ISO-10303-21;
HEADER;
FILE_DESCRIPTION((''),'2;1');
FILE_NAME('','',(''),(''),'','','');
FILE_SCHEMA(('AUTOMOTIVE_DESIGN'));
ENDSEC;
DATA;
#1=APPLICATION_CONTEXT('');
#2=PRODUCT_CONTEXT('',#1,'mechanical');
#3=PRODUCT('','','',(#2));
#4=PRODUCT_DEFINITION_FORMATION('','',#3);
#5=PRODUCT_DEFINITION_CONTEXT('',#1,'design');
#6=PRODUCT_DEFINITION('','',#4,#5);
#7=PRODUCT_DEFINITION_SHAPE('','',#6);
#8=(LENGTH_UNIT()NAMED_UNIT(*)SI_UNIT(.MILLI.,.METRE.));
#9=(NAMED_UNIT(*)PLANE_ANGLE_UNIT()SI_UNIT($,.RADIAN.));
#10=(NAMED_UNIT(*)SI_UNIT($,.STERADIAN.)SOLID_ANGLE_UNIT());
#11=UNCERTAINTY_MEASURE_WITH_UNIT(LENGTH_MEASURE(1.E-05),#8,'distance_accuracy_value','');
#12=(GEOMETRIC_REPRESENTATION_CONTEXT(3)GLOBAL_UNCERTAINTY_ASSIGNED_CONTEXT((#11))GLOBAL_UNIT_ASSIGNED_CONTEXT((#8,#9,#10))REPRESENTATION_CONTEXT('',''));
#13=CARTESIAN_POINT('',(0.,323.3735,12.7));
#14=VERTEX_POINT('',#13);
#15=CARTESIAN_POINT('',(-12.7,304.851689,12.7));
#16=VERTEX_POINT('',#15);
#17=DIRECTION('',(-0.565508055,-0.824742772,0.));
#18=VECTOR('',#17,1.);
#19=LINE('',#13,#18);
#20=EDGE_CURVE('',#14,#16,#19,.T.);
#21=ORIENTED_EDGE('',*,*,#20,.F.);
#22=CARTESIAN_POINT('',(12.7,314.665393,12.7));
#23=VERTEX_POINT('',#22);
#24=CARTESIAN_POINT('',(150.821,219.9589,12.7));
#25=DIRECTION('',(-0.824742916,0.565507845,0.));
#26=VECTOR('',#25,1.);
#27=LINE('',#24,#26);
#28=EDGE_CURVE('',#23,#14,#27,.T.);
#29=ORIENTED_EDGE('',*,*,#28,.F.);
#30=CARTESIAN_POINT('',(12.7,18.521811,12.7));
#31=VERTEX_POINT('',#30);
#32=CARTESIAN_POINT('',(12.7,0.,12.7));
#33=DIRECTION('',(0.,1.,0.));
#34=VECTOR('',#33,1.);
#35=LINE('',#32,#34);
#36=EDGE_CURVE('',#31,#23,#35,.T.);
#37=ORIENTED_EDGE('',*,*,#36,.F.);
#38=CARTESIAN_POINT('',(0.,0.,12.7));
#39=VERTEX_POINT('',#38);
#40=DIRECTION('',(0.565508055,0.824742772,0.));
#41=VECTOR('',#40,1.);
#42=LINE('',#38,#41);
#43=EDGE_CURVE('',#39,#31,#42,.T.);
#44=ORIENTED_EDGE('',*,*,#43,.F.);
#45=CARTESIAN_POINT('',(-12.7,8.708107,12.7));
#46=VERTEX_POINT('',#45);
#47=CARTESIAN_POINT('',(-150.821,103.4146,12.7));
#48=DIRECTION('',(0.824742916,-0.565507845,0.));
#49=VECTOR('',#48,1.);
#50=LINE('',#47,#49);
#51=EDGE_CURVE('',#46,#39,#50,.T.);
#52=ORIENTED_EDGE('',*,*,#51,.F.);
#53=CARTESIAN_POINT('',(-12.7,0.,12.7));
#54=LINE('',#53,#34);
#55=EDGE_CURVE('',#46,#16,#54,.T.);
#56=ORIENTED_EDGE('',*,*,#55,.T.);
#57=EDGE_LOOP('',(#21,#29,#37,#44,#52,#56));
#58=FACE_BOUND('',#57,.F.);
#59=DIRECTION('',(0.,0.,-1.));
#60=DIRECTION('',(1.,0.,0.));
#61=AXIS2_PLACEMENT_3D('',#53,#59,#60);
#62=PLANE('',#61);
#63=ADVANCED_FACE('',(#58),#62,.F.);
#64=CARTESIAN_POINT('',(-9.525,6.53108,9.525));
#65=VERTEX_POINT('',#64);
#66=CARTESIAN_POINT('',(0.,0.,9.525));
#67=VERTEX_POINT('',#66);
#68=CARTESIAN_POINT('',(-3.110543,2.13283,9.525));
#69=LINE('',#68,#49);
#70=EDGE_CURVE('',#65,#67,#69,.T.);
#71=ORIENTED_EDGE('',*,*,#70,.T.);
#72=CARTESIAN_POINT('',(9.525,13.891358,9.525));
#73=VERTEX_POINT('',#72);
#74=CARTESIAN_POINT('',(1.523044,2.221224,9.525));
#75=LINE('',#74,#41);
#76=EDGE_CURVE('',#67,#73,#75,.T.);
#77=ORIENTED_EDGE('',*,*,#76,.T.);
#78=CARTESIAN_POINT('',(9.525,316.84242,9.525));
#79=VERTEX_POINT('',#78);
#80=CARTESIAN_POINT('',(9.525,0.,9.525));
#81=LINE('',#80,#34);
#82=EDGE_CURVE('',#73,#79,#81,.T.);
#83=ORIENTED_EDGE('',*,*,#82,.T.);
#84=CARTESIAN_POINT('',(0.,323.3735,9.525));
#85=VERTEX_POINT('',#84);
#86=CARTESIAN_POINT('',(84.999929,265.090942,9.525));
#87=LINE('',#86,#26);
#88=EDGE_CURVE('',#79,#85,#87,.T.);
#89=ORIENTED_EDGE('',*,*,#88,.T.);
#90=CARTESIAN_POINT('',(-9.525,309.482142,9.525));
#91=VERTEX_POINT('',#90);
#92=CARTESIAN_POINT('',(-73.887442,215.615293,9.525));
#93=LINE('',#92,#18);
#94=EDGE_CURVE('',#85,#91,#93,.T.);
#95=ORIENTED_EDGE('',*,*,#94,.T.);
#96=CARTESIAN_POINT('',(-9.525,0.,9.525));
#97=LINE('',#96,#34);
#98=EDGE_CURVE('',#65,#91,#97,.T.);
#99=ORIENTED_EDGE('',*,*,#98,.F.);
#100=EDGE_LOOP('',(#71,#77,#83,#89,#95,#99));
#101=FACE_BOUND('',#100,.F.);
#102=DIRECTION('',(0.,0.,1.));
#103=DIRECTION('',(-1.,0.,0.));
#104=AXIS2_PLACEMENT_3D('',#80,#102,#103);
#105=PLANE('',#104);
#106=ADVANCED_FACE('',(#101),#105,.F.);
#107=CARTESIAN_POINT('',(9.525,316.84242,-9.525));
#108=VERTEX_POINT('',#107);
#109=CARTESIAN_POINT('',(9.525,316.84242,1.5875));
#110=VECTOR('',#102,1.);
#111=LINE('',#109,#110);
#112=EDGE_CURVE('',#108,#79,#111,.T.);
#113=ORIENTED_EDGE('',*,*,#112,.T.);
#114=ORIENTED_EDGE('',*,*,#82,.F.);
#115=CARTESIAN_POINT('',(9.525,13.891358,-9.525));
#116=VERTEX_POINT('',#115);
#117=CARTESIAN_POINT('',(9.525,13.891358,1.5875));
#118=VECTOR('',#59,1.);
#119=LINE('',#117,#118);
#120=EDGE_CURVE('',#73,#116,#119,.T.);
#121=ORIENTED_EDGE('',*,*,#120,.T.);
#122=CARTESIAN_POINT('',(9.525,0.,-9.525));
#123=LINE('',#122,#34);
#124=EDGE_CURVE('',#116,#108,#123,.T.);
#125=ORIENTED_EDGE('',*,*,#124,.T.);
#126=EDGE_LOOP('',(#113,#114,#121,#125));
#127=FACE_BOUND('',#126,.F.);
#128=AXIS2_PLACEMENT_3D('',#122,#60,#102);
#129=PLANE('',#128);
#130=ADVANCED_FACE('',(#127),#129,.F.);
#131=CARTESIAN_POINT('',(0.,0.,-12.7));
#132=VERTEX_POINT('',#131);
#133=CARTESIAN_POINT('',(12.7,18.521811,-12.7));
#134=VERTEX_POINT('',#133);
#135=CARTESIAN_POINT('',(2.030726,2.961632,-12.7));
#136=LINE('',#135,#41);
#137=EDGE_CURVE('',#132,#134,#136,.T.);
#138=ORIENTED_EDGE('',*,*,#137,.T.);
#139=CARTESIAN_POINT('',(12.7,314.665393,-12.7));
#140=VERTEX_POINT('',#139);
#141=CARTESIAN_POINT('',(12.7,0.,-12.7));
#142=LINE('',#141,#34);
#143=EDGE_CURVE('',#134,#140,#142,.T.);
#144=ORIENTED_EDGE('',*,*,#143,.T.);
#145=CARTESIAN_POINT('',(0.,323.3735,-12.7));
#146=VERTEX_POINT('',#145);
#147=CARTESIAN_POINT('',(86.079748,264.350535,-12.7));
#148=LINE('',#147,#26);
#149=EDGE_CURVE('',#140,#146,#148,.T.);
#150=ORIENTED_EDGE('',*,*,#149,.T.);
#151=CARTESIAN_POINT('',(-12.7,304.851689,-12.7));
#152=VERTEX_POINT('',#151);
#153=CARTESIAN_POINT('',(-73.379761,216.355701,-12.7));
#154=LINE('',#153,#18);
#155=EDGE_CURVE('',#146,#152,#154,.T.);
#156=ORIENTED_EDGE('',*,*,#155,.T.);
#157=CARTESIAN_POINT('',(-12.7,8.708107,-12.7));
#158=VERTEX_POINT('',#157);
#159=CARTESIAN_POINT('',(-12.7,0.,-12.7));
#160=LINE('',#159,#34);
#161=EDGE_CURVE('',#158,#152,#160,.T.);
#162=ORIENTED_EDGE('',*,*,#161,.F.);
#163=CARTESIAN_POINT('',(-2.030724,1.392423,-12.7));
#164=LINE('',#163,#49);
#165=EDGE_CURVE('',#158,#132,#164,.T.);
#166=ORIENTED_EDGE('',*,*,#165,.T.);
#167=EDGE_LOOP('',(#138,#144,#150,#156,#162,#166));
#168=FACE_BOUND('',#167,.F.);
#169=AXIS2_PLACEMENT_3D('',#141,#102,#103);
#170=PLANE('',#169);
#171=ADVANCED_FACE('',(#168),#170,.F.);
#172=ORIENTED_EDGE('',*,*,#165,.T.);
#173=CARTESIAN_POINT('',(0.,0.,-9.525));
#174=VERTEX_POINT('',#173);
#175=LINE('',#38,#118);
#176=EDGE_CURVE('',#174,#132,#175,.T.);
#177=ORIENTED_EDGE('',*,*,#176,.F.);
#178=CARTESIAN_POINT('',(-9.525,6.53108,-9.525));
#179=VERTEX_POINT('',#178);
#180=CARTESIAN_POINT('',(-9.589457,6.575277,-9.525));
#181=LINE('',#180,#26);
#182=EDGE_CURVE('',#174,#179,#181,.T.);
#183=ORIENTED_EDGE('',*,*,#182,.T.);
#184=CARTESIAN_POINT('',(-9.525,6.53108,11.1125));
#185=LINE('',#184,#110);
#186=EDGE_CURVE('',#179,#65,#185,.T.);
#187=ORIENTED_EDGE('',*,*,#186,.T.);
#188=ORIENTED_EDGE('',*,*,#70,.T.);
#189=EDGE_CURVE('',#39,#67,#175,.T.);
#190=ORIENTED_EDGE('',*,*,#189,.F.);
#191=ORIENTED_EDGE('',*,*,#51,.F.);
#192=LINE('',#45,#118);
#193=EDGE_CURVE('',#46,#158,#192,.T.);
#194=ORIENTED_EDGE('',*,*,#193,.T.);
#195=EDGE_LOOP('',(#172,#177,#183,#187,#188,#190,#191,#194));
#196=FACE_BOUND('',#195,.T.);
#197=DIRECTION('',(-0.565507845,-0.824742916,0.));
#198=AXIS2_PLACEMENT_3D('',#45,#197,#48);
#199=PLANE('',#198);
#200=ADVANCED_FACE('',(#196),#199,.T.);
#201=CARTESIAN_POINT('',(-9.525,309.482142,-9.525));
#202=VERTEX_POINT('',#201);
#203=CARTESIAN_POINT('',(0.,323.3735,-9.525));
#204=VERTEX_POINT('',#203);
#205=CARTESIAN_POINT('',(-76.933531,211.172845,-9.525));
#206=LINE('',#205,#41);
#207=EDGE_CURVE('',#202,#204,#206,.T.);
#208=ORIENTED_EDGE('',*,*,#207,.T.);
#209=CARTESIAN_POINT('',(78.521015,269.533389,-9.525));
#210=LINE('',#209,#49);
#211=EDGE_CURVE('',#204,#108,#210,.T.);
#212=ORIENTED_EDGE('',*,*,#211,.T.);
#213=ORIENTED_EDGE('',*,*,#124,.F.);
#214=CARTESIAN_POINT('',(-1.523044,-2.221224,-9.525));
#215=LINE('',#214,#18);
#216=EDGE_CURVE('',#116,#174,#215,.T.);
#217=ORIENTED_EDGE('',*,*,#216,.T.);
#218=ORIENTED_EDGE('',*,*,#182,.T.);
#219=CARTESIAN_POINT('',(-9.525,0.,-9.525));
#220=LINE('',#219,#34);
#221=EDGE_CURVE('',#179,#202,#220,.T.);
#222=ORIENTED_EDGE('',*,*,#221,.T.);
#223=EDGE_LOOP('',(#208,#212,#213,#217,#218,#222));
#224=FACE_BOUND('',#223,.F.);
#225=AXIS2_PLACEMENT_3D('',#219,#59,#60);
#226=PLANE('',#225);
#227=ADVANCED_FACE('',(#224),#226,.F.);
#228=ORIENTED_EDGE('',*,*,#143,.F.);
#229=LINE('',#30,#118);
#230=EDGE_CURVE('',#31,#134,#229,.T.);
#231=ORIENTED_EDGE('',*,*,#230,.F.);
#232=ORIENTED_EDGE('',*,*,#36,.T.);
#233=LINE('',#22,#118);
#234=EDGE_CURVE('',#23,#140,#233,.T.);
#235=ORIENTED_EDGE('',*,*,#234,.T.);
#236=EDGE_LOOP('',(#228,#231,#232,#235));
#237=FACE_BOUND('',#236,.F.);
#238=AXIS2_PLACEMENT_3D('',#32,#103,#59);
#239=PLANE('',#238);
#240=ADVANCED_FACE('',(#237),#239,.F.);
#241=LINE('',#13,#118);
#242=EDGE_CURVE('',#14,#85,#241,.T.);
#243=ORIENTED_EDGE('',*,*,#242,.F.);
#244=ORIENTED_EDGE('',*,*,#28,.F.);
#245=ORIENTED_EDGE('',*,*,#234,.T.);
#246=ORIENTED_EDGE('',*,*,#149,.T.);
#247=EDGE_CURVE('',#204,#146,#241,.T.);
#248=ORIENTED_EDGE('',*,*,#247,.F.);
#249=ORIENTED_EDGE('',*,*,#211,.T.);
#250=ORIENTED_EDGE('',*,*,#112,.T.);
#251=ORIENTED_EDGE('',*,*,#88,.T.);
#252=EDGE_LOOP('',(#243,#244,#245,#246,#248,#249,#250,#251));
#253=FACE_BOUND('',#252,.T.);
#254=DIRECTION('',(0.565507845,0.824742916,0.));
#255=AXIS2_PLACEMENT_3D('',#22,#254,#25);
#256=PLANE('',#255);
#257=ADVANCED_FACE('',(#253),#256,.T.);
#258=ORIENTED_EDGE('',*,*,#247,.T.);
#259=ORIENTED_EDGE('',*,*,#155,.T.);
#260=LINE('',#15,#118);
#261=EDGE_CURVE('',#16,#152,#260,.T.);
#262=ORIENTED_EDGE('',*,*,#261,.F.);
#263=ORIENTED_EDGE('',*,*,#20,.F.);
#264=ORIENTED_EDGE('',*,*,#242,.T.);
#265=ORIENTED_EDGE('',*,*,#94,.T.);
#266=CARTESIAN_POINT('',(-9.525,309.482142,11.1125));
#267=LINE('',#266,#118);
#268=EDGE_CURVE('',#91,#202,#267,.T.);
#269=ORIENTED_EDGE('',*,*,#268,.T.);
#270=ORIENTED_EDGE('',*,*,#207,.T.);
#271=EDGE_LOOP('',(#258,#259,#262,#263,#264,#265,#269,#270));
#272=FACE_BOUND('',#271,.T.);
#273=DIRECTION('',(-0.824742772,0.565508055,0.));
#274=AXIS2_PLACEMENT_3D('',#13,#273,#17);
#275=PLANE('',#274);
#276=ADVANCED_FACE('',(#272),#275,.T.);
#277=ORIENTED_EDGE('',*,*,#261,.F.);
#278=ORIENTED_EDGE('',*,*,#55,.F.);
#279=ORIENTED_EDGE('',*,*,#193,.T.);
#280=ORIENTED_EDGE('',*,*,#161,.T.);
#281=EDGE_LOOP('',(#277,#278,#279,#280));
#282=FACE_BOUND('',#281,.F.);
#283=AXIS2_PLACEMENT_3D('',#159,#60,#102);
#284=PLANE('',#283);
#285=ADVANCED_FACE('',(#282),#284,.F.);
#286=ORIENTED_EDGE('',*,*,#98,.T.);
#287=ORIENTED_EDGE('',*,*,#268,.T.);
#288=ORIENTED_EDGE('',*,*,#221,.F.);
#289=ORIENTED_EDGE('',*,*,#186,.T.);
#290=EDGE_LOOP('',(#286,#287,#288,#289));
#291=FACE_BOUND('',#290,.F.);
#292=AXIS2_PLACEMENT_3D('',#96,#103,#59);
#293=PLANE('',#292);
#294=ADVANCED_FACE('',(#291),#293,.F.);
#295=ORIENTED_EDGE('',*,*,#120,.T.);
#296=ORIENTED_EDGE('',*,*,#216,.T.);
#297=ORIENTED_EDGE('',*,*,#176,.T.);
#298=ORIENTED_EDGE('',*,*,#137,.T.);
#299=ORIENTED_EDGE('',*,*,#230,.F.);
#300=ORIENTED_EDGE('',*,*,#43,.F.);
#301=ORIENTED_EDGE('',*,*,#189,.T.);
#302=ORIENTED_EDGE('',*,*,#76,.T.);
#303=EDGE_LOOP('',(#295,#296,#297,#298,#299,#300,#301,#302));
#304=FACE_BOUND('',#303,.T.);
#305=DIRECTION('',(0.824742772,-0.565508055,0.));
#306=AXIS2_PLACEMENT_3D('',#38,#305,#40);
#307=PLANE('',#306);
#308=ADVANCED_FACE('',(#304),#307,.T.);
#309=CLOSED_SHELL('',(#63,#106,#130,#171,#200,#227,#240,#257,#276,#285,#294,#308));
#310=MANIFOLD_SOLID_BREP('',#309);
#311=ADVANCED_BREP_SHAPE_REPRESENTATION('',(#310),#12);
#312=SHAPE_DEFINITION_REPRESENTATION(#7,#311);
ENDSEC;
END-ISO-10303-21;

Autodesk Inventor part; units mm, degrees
ref_plane "YZ Plane" through (0, 0, 0) normal (1, 0, 0) x (0, 1, 0)
ref_plane "XZ Plane" through (0, 0, 0) normal (0, 1, 0) x (-1, 0, 0)
ref_plane "XY Plane" through (0, 0, 0) normal (0, 0, 1) x (1, 0, 0)
sketch "Sketch1" plane through (0, 0, 0) normal (0, 1, 0) x (-1, 0, 0)
  line L0 (-12.7, -12.7) -> (12.7, -12.7)
  line L1 (12.7, -12.7) -> (12.7, 12.7)
  line L2 (12.7, 12.7) -> (-12.7, 12.7)
  line L3 (-12.7, 12.7) -> (-12.7, -12.7)
  line L4 (-12.7, -12.7) -> (12.7, 12.7) construction
  line L5 (12.7, -12.7) -> (-12.7, 12.7) construction
  line L6 (9.525, 9.525) -> (9.525, -9.525)
  line L7 (9.525, -9.525) -> (-9.525, -9.525)
  line L8 (-9.525, -9.525) -> (-9.525, 9.525)
  line L9 (-9.525, 9.525) -> (9.525, 9.525)
  point P0 (0, 0)
  dimension "d0" = 25.4
  dimension "d1" = 25.4
  dimension "d2" = 3.175
extrude "Extrusion1" add sketch "Sketch1" along normal blind 323.3735
sketch "Sketch2" plane through (-12.7, 0, 12.7) normal (0, 0, 1) x (1, 0, 0)
  line L0 (0, 0) -> (25.4, 0) projected
  line L1 (25.4, 0) -> (25.4, 323.3735) projected
  line L2 (0, 323.3735) -> (25.4, 323.3735) projected
  line L3 (0, 0) -> (0, 323.3735) projected
  line L4 (163.521, 219.9589) -> (12.7, 323.3735)
  line L5 (12.7, 323.3735) -> (-138.121, 103.4146)
  line L6 (-138.121, 103.4146) -> (12.7, 0)
  line L7 (12.7, 0) -> (163.521, 219.9589)
  point P0 (0, 8.7081)
  point P1 (25.4, 18.5218)
  point P2 (0, 304.8517)
  point P3 (25.4, 314.6654)
  dimension "d5" = 266.7
extrude "Extrusion2" cut sketch "Sketch2" against normal through all contours L3 L6 L0 | L7 L1 L0 | L3 L2 L5 | L4 L2 L1
properties part number "STRU_014_BilletCrossbar3_Angled" material "Aluminum 6061"
